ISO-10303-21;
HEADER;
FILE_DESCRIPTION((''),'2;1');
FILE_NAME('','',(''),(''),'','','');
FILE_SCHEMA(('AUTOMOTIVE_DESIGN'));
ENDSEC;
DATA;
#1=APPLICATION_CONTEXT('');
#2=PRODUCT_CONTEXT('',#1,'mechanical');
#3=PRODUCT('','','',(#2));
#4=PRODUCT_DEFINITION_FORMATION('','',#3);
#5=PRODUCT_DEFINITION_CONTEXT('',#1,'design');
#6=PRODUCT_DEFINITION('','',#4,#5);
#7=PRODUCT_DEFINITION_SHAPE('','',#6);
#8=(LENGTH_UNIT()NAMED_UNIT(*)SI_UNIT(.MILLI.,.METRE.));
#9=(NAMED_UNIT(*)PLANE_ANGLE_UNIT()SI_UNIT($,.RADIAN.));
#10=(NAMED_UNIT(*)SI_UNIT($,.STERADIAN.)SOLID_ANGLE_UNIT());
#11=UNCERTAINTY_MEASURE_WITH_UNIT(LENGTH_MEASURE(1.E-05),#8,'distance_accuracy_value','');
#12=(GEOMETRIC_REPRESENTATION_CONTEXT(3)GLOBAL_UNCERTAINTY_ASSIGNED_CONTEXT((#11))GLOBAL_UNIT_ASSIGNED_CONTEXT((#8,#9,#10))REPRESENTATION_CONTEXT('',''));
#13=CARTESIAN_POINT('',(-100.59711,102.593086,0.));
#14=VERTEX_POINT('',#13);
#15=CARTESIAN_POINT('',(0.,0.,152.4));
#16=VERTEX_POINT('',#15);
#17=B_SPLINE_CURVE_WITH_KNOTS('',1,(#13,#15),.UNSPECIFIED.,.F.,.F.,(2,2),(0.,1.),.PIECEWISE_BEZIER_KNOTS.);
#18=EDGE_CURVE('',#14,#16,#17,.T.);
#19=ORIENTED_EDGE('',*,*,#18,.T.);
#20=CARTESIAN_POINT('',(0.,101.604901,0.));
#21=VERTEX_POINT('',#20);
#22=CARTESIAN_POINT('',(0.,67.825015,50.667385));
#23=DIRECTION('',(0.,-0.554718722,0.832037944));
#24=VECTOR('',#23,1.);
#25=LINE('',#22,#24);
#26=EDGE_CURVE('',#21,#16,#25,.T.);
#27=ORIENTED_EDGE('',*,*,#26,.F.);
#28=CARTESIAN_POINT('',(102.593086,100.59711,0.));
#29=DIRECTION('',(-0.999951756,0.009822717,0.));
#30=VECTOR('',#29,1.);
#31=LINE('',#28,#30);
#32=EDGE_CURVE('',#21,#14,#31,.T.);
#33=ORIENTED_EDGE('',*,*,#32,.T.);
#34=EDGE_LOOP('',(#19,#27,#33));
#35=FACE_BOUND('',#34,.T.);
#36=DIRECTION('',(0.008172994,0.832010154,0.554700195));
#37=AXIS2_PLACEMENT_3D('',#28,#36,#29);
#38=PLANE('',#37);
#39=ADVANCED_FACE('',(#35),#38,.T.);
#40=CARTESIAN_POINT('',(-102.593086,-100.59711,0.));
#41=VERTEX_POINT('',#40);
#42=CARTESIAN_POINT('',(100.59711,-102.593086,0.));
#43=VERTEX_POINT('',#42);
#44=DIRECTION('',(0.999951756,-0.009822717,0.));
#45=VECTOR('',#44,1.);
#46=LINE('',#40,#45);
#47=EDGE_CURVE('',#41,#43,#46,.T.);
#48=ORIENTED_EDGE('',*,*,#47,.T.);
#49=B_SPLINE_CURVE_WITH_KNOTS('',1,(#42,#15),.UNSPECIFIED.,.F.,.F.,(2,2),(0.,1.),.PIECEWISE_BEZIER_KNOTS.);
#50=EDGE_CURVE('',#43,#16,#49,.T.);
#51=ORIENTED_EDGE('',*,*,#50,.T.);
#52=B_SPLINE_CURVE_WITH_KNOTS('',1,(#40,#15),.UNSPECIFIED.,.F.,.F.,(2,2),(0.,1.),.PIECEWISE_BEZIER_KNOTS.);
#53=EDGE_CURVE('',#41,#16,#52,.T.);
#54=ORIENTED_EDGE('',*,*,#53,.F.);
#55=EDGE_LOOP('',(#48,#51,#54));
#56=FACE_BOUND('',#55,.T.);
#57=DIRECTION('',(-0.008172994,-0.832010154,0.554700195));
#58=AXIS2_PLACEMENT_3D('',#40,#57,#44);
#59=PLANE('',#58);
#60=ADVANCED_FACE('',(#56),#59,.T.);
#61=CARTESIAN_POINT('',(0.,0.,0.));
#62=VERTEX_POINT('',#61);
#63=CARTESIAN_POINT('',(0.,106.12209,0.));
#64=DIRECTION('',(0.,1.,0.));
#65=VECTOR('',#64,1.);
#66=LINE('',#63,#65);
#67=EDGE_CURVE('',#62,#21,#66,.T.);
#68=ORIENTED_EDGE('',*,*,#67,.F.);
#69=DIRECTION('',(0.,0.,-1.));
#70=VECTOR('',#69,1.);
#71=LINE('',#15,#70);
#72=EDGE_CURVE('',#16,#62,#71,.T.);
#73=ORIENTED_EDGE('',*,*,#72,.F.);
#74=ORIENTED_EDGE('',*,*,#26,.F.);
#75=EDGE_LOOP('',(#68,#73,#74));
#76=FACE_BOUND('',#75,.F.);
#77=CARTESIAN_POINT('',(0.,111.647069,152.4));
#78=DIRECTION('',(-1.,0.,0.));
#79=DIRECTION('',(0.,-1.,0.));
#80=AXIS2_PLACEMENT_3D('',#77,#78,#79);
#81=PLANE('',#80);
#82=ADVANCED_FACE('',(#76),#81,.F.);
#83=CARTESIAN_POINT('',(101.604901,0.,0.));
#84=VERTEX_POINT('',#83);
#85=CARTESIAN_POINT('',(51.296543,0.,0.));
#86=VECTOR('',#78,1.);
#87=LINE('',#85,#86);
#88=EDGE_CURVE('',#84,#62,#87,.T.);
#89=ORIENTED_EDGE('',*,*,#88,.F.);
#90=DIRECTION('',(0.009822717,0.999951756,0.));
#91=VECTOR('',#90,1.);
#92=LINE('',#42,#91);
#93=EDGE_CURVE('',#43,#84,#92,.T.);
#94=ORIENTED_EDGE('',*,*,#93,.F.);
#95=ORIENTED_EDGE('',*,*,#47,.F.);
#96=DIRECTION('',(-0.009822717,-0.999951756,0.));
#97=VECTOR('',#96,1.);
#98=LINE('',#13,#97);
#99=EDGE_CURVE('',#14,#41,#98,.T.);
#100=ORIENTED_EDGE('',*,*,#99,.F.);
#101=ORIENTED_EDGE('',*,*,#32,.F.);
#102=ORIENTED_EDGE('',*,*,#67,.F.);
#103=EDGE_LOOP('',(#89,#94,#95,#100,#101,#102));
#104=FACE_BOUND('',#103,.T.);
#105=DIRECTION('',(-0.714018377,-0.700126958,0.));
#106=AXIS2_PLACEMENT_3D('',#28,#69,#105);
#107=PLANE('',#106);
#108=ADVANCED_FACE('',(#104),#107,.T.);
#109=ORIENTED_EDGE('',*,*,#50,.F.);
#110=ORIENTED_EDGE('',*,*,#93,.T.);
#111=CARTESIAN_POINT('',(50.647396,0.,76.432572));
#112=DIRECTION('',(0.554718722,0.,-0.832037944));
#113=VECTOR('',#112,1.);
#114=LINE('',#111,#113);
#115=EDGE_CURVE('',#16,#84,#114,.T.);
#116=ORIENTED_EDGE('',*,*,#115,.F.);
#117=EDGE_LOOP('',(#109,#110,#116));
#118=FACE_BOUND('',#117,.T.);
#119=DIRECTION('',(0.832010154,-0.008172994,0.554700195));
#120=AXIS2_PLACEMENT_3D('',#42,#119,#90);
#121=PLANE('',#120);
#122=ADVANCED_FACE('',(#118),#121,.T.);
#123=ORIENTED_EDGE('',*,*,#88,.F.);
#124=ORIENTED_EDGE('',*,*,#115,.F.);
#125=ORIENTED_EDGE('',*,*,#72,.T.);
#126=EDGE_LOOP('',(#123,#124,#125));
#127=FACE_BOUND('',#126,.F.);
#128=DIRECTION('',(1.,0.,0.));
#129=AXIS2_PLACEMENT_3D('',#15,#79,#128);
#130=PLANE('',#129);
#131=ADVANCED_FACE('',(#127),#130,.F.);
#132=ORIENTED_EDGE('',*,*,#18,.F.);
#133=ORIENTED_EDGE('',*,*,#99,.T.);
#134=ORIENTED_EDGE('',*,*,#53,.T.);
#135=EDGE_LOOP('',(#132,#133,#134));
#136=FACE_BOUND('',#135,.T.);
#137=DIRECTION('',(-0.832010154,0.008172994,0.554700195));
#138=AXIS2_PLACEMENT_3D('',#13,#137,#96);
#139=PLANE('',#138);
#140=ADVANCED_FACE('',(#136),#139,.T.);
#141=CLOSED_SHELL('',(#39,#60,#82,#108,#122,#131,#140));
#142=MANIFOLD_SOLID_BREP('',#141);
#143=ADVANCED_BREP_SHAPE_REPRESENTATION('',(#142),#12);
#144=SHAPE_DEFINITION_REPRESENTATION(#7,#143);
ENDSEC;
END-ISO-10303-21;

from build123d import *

# Parameters (mm, degrees)
F4_W     = 4.316755
F4_H     = 4.316762
F5_DEPTH = 203.2


with BuildPart() as f3:
    # F0 (on Top) → F3 section 0
    with BuildSketch(Plane.XY, mode=Mode.PRIVATE) as f3_s0:
        Polygon((102.593086, 100.59711), (-100.59711, 102.593086), (-102.593086, -100.59711), (100.59711, -102.593086), align=None)
    loft([f3_s0.sketch, Vertex(0, 0, 152.4)])

    # F4 (on offset) → F5 (cut)
    with BuildSketch(Plane.XY.offset(152.4)):
        Polygon((0, 111.647069), (0, 0), (118.514635, 0), (118.514635, 107.330307), (114.19788, 107.330307), (114.19788, 111.647069), align=None)
        with Locations((116.356257, 109.488688)):
            Rectangle(F4_W, F4_H)
    extrude(amount=-F5_DEPTH, mode=Mode.SUBTRACT)


solid = f3.part
